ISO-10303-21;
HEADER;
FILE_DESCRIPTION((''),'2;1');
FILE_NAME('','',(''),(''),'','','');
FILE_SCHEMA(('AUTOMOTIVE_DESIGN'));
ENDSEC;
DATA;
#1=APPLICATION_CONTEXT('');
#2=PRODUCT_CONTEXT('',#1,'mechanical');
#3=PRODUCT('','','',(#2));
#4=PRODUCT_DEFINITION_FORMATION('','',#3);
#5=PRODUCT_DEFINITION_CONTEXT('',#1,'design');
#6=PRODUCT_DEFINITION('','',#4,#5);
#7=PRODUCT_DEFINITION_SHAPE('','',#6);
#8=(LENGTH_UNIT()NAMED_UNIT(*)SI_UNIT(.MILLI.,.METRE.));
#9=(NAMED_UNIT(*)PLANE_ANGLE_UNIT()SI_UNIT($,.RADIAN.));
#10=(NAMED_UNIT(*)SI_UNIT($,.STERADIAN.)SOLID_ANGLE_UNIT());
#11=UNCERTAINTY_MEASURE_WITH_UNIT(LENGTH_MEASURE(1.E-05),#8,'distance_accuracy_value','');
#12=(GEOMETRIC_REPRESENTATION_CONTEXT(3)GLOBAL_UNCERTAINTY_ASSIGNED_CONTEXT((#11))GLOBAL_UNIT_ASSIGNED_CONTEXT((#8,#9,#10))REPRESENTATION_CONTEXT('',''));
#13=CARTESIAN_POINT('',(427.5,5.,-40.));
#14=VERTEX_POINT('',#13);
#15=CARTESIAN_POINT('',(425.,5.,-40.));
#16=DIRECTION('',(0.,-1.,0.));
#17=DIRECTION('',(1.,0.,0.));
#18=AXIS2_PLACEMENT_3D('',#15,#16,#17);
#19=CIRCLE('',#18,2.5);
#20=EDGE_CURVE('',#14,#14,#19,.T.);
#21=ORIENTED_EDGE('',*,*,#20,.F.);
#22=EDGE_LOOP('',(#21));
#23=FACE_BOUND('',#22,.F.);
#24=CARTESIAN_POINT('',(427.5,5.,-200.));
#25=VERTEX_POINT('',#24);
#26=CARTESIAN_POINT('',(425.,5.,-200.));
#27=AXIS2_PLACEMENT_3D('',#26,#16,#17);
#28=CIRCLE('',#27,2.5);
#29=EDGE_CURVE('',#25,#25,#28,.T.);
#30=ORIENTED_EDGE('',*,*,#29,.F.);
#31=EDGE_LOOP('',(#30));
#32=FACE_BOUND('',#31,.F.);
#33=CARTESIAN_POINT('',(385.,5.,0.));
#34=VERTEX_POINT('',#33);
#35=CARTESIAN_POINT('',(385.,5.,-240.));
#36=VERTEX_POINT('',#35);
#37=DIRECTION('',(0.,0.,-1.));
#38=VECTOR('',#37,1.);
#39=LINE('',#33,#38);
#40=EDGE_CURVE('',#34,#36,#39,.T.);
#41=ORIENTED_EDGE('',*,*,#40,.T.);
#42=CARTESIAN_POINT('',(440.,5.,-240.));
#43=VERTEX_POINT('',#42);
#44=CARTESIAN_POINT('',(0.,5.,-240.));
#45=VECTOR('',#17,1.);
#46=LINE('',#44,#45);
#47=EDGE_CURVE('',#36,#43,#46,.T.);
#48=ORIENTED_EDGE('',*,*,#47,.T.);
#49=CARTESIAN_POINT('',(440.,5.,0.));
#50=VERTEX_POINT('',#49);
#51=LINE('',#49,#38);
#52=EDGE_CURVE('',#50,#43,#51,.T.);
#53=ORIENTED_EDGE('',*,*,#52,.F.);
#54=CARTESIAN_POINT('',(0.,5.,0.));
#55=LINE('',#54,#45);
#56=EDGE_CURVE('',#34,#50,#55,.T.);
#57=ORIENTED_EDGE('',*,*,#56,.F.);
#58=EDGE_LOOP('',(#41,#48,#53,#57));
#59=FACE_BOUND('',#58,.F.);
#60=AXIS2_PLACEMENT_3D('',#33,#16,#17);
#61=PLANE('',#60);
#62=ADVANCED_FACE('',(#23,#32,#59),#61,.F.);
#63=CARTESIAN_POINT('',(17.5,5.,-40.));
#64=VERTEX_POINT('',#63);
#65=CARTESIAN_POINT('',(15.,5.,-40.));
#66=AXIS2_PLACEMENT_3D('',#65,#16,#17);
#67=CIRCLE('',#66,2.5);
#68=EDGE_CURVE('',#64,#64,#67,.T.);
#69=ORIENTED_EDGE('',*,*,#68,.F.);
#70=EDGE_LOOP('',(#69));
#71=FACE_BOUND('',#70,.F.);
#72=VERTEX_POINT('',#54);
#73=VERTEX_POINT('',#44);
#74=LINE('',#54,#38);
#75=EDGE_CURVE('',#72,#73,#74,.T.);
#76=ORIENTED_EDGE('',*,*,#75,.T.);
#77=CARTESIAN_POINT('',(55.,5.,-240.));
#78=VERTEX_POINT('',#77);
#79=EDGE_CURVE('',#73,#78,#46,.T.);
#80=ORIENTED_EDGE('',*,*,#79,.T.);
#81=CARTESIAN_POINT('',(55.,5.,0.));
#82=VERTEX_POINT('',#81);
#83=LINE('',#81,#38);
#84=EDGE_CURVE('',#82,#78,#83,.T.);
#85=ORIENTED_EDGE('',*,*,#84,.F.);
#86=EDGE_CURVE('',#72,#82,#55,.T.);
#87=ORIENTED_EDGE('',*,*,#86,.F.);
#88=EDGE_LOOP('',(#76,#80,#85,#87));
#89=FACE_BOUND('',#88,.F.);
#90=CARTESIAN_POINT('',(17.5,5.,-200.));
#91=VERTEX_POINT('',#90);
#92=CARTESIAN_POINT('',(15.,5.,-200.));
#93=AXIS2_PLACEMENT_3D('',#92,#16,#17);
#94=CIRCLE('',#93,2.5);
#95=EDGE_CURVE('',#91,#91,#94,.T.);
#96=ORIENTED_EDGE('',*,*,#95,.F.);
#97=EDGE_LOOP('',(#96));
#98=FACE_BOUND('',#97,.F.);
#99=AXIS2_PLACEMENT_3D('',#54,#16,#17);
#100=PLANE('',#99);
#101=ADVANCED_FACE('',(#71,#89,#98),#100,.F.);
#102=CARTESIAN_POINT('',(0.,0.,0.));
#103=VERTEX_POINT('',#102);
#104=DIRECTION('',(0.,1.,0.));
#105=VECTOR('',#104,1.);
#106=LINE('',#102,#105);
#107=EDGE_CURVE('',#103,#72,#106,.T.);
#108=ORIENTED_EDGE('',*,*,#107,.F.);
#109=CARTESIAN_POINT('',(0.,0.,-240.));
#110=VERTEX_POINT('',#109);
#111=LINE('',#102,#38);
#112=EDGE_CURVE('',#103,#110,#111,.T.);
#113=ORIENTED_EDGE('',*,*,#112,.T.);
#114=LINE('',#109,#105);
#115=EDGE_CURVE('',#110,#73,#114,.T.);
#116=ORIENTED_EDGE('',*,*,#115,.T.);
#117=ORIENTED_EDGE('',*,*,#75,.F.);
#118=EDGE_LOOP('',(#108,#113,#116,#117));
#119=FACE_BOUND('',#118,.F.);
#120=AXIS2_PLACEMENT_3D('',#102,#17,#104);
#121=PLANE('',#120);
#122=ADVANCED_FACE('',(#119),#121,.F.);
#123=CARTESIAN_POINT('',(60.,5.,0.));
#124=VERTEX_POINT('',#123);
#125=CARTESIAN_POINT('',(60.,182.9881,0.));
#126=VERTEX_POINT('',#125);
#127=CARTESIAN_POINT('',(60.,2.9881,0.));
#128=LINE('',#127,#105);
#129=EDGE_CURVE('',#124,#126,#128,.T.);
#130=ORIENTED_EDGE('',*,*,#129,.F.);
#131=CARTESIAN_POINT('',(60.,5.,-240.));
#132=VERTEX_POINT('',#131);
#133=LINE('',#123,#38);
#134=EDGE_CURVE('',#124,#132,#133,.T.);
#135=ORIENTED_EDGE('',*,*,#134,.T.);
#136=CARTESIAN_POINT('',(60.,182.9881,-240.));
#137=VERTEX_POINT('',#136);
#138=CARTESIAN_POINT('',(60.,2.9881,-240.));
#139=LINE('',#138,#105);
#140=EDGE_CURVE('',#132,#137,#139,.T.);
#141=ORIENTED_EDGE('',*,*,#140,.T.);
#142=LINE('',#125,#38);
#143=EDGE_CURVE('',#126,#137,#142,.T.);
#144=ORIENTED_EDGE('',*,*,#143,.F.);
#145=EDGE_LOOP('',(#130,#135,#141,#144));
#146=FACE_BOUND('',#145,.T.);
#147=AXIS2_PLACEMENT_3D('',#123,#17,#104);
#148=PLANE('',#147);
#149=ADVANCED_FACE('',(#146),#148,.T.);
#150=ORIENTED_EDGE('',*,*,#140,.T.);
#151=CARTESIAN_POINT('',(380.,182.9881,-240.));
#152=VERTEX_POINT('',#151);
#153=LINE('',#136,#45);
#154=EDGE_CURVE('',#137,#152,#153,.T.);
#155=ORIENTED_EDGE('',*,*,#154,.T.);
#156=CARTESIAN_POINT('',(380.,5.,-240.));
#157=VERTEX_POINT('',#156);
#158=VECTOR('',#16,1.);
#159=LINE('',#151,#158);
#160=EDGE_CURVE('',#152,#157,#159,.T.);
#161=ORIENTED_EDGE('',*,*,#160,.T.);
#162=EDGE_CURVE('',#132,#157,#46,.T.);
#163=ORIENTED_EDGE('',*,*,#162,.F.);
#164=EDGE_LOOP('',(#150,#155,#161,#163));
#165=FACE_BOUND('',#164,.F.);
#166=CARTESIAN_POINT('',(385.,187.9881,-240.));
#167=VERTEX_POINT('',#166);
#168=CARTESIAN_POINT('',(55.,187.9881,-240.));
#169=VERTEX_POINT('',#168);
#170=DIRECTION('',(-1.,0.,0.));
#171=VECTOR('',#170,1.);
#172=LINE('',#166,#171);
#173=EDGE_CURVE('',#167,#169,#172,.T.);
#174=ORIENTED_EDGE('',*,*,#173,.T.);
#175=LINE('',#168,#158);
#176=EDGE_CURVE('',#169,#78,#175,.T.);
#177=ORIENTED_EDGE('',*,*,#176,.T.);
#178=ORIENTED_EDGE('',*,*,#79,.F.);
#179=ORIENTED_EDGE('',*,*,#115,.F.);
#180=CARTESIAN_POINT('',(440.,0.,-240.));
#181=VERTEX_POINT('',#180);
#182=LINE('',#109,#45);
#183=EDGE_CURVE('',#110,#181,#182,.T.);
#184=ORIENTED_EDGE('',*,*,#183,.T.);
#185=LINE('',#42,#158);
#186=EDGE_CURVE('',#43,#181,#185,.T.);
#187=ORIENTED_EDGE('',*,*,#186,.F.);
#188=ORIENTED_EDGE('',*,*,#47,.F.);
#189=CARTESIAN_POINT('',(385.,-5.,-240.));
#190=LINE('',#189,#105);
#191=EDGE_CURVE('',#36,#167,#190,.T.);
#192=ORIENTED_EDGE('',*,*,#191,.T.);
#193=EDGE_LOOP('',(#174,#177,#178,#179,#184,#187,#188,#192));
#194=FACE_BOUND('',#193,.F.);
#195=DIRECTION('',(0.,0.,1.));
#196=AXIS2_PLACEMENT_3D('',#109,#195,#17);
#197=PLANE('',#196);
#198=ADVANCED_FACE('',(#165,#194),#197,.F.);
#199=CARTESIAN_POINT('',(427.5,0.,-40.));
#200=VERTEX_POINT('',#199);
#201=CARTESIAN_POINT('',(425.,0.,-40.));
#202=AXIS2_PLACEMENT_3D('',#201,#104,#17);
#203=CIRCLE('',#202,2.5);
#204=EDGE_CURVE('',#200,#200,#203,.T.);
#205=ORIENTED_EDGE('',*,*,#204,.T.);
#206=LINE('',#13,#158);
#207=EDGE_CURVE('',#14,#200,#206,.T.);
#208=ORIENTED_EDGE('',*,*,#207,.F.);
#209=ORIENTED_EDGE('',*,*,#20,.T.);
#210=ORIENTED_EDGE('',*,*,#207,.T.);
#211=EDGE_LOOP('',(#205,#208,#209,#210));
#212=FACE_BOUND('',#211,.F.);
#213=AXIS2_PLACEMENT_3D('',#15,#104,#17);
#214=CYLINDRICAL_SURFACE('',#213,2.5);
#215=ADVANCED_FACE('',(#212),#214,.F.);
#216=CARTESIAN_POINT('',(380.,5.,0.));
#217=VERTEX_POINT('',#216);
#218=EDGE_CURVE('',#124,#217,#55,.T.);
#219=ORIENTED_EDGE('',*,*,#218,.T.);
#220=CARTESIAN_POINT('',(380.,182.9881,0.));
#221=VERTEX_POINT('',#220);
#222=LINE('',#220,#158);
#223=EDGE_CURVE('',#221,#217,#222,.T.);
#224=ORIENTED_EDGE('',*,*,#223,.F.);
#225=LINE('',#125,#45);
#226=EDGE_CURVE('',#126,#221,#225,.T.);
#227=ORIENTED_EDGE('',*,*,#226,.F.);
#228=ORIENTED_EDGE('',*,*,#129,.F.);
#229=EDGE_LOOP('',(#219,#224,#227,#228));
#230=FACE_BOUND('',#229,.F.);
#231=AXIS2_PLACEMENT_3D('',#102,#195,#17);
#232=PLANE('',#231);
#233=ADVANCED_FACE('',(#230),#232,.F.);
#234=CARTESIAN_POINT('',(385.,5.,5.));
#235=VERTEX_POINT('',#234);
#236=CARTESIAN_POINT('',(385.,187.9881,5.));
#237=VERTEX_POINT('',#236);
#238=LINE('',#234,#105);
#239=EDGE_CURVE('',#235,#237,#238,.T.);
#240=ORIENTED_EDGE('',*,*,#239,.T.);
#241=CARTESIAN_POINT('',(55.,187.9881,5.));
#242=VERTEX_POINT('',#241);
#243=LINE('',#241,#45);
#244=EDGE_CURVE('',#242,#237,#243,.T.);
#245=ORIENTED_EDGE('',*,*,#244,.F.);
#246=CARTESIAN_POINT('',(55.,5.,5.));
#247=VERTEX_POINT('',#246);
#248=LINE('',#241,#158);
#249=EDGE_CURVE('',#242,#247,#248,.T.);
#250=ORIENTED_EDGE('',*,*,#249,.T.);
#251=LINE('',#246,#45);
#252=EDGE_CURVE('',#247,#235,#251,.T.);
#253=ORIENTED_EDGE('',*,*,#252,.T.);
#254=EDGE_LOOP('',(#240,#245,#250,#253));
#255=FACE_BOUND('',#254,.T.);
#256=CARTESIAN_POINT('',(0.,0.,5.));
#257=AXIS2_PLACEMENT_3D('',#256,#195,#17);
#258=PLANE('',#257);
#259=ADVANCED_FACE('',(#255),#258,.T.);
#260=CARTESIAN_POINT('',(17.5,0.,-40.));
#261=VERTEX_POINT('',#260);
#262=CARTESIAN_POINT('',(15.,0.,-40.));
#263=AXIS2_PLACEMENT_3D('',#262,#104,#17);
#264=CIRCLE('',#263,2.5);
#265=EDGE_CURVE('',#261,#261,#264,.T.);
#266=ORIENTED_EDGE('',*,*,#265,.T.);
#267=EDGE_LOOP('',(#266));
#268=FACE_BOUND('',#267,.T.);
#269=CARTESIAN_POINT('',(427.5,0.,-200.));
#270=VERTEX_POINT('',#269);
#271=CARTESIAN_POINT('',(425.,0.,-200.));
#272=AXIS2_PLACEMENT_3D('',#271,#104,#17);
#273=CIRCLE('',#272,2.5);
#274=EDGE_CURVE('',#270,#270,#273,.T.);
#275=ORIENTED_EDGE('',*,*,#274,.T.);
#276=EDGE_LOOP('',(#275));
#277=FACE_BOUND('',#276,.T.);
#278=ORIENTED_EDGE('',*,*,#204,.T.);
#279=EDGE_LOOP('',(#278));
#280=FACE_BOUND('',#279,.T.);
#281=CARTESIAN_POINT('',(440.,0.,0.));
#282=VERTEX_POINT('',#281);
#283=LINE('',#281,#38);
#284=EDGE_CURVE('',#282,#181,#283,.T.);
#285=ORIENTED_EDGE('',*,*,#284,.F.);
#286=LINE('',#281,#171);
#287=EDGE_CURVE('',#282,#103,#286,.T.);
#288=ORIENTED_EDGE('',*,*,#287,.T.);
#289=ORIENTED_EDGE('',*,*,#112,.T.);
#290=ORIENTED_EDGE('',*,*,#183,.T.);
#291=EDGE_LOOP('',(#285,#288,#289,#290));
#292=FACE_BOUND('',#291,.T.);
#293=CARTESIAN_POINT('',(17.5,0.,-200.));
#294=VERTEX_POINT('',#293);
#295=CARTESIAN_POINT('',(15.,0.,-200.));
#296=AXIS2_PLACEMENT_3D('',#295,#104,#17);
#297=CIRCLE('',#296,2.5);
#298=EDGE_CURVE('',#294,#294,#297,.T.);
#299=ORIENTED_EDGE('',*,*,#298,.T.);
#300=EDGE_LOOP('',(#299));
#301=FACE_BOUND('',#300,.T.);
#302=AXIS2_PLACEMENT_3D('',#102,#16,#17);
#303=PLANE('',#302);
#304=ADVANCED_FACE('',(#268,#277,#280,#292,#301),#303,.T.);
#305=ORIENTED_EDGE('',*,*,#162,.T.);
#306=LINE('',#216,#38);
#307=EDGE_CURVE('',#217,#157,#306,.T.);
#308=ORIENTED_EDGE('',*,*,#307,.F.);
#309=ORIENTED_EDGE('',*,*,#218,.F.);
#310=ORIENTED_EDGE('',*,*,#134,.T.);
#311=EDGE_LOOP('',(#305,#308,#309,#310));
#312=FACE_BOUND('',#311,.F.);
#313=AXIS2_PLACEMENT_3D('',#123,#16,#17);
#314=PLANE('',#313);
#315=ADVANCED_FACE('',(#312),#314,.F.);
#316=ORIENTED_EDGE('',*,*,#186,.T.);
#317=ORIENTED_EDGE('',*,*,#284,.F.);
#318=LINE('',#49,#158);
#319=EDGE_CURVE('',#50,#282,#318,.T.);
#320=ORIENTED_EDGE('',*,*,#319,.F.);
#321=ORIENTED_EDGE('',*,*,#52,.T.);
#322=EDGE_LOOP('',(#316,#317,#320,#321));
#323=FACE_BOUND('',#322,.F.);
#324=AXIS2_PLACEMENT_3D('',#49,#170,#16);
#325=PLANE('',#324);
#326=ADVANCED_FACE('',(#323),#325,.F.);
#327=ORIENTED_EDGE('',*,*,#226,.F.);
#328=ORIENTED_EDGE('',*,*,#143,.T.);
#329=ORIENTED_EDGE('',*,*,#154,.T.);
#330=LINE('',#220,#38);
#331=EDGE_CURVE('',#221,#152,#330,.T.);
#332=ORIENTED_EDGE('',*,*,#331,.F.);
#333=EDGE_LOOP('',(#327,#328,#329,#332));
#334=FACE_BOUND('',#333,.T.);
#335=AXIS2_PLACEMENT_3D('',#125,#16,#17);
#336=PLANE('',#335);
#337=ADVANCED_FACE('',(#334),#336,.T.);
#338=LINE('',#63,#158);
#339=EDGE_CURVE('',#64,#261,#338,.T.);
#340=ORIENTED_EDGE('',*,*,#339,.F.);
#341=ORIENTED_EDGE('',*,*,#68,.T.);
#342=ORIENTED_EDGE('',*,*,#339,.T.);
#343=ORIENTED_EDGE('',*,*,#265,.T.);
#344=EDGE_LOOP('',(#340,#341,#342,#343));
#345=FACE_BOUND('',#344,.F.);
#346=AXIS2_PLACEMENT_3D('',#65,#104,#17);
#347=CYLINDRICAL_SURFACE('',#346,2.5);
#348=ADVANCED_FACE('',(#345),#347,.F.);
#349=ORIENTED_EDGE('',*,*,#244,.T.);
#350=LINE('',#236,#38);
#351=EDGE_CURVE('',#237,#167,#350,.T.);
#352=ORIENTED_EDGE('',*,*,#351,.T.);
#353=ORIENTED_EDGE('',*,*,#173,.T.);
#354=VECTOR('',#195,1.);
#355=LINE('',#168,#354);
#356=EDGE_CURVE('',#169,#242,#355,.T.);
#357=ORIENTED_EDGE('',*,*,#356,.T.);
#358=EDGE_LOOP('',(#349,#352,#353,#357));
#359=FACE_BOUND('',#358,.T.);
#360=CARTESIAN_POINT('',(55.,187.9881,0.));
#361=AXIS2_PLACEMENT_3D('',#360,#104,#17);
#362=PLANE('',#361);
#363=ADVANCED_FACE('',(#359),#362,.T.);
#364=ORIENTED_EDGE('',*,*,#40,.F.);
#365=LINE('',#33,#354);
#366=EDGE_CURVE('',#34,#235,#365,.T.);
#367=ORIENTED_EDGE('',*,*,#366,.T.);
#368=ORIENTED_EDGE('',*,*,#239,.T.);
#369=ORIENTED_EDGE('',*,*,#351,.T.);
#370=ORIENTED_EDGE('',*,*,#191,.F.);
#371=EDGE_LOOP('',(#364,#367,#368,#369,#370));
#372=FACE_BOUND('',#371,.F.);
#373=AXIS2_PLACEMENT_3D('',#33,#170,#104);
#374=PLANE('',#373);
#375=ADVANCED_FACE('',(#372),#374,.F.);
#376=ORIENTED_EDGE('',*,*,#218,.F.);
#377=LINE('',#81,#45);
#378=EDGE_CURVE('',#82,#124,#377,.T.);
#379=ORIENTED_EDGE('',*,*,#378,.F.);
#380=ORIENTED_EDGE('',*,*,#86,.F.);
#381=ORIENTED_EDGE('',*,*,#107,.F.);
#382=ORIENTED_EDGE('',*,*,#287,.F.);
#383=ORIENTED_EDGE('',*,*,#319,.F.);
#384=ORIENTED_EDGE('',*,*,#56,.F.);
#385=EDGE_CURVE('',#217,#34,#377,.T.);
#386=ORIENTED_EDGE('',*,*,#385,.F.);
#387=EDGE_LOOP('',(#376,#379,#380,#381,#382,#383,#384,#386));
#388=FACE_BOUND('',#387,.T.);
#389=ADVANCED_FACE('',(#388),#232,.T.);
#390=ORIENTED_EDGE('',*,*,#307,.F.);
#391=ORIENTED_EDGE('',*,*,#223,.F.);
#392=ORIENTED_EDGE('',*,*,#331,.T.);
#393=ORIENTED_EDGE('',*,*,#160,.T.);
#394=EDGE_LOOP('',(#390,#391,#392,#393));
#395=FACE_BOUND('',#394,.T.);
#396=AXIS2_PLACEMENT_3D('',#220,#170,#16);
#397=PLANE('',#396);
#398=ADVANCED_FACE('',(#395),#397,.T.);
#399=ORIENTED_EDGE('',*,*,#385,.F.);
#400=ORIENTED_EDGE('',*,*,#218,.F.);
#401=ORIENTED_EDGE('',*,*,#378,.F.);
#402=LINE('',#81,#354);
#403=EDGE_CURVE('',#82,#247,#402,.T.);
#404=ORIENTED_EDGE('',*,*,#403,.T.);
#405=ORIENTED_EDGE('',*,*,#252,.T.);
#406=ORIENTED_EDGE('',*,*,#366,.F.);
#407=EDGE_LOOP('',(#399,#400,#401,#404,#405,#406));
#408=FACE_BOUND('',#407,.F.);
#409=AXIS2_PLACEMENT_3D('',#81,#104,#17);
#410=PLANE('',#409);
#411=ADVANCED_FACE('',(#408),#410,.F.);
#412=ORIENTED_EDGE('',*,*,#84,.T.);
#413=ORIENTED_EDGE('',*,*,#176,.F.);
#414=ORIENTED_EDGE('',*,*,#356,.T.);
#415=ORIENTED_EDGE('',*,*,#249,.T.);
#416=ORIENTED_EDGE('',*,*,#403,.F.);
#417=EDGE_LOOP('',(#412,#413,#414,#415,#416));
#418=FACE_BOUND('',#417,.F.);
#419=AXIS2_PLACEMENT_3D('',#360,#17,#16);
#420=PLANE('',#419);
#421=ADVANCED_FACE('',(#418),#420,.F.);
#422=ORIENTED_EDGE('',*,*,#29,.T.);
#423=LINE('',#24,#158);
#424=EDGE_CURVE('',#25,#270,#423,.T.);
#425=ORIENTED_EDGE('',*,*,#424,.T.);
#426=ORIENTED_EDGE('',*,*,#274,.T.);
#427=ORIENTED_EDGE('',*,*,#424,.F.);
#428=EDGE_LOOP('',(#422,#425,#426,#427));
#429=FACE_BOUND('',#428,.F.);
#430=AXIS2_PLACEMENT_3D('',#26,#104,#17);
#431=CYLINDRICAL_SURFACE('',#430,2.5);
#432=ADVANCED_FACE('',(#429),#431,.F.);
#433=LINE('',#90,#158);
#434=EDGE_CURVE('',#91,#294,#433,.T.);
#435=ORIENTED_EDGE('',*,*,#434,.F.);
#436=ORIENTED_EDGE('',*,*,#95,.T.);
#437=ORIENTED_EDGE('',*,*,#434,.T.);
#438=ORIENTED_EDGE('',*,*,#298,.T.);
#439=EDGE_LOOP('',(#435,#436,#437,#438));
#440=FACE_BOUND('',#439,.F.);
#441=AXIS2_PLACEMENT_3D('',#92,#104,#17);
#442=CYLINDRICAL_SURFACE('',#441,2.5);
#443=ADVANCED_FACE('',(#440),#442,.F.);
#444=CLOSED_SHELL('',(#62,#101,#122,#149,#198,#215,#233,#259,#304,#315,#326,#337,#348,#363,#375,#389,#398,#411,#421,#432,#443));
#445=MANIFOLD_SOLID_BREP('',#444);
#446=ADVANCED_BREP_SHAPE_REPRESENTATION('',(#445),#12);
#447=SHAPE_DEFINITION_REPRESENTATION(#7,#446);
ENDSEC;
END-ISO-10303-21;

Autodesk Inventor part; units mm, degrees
ref_plane "YZ Plane" through (0, 0, 0) normal (1, 0, 0) x (0, 1, 0)
ref_plane "XZ Plane" through (0, 0, 0) normal (0, 1, 0) x (-1, 0, 0)
ref_plane "XY Plane" through (0, 0, 0) normal (0, 0, 1) x (1, 0, 0)
sketch "Sketch1" plane through (0, 0, 0) normal (0, 0, 1) x (1, 0, 0)
  line L0 (0, 0) -> (440, 0)
  line L1 (220, 0) -> (380, 0)
  line L2 (220, 0) -> (60, 0)
  line L3 (60, 2.9881) -> (60, 182.9881)
  line L4 (60, 182.9881) -> (380, 182.9881)
  line L5 (380, 182.9881) -> (380, 0)
  line L6 (60, -5) -> (220, -5)
  line L7 (220, -5) -> (385, -5)
  line L8 (385, -5) -> (385, 187.9881)
  line L9 (385, 187.9881) -> (55, 187.9881)
  line L10 (55, 187.9881) -> (55, 2.9881)
  line L11 (0, 0) -> (0, 5)
  line L12 (0, 5) -> (440, 5)
  line L13 (440, 5) -> (440, 0)
  point P0 (385, 5)
  point P1 (55, 5)
  point P2 (380, 5)
  point P3 (60, 5)
  dimension "d0" = 440
  dimension "d1" = 160
  dimension "d2" = 160
  dimension "d3" = 180
  dimension "d4" = 5
  dimension "d5" = 5
extrude "Extrusion1" add sketch "Sketch1" against normal blind 240 contours L11 L12 L5 L0 | L10 L9 L8 L12 L5 L4 L3 | L5 L12 L8 L0 | L8 L12 L13 L0
sketch "Sketch2" plane through (0, 5, 0) normal (0, 1, 0) x (1, 0, 0)
  line L0 (0, 0) -> (0, 240) projected
  line L1 (0, 240) -> (15, 240)
  line L2 (440, 240) -> (0, 240) projected
  line L3 (15, 240) -> (15, -108.1496)
  line L4 (440, 240) -> (425, 240)
  line L5 (425, 240) -> (425, -108.1496)
  circle A0 centre (15, 200) radius 2.5
  circle A1 centre (15, 40) radius 2.5
  line L6 (55, 0) -> (0, 0) projected
  line L7 (220, 240) -> (220, -68.5309)
  circle A2 centre (425, 200) radius 2.5
  circle A3 centre (425, 40) radius 2.5
  dimension "d8" = 15
  dimension "d9" = 15
  dimension "d10" = 5
  dimension "d11" = 5
  dimension "d12" = 40
  dimension "d13" = 40
extrude "Extrusion2" cut sketch "Sketch2" against normal blind 215 contours A3 L5 | L5 A3 | A2 L5 | L5 A2 | A1 L3 | L3 A1 | A0 L3 | L3 A0
sketch "Sketch3" plane through (0, 0, 0) normal (0, 0, 1) x (1, 0, 0)
  line L0 (0, 5) -> (55, 5) projected
  line L1 (55, 187.9881) -> (385, 187.9881) projected
  line L2 (55, 5) -> (385, 5)
  line L3 (385, 5) -> (385, 187.9881)
  line L4 (385, 187.9881) -> (55, 187.9881)
  line L5 (55, 187.9881) -> (55, 5)
  point P0 (60, 5)
  point P1 (380, 182.9881)
extrude "Extrusion3" add sketch "Sketch3" along normal blind 5
properties part number "Proteção de acrilico-Painel de controle"
